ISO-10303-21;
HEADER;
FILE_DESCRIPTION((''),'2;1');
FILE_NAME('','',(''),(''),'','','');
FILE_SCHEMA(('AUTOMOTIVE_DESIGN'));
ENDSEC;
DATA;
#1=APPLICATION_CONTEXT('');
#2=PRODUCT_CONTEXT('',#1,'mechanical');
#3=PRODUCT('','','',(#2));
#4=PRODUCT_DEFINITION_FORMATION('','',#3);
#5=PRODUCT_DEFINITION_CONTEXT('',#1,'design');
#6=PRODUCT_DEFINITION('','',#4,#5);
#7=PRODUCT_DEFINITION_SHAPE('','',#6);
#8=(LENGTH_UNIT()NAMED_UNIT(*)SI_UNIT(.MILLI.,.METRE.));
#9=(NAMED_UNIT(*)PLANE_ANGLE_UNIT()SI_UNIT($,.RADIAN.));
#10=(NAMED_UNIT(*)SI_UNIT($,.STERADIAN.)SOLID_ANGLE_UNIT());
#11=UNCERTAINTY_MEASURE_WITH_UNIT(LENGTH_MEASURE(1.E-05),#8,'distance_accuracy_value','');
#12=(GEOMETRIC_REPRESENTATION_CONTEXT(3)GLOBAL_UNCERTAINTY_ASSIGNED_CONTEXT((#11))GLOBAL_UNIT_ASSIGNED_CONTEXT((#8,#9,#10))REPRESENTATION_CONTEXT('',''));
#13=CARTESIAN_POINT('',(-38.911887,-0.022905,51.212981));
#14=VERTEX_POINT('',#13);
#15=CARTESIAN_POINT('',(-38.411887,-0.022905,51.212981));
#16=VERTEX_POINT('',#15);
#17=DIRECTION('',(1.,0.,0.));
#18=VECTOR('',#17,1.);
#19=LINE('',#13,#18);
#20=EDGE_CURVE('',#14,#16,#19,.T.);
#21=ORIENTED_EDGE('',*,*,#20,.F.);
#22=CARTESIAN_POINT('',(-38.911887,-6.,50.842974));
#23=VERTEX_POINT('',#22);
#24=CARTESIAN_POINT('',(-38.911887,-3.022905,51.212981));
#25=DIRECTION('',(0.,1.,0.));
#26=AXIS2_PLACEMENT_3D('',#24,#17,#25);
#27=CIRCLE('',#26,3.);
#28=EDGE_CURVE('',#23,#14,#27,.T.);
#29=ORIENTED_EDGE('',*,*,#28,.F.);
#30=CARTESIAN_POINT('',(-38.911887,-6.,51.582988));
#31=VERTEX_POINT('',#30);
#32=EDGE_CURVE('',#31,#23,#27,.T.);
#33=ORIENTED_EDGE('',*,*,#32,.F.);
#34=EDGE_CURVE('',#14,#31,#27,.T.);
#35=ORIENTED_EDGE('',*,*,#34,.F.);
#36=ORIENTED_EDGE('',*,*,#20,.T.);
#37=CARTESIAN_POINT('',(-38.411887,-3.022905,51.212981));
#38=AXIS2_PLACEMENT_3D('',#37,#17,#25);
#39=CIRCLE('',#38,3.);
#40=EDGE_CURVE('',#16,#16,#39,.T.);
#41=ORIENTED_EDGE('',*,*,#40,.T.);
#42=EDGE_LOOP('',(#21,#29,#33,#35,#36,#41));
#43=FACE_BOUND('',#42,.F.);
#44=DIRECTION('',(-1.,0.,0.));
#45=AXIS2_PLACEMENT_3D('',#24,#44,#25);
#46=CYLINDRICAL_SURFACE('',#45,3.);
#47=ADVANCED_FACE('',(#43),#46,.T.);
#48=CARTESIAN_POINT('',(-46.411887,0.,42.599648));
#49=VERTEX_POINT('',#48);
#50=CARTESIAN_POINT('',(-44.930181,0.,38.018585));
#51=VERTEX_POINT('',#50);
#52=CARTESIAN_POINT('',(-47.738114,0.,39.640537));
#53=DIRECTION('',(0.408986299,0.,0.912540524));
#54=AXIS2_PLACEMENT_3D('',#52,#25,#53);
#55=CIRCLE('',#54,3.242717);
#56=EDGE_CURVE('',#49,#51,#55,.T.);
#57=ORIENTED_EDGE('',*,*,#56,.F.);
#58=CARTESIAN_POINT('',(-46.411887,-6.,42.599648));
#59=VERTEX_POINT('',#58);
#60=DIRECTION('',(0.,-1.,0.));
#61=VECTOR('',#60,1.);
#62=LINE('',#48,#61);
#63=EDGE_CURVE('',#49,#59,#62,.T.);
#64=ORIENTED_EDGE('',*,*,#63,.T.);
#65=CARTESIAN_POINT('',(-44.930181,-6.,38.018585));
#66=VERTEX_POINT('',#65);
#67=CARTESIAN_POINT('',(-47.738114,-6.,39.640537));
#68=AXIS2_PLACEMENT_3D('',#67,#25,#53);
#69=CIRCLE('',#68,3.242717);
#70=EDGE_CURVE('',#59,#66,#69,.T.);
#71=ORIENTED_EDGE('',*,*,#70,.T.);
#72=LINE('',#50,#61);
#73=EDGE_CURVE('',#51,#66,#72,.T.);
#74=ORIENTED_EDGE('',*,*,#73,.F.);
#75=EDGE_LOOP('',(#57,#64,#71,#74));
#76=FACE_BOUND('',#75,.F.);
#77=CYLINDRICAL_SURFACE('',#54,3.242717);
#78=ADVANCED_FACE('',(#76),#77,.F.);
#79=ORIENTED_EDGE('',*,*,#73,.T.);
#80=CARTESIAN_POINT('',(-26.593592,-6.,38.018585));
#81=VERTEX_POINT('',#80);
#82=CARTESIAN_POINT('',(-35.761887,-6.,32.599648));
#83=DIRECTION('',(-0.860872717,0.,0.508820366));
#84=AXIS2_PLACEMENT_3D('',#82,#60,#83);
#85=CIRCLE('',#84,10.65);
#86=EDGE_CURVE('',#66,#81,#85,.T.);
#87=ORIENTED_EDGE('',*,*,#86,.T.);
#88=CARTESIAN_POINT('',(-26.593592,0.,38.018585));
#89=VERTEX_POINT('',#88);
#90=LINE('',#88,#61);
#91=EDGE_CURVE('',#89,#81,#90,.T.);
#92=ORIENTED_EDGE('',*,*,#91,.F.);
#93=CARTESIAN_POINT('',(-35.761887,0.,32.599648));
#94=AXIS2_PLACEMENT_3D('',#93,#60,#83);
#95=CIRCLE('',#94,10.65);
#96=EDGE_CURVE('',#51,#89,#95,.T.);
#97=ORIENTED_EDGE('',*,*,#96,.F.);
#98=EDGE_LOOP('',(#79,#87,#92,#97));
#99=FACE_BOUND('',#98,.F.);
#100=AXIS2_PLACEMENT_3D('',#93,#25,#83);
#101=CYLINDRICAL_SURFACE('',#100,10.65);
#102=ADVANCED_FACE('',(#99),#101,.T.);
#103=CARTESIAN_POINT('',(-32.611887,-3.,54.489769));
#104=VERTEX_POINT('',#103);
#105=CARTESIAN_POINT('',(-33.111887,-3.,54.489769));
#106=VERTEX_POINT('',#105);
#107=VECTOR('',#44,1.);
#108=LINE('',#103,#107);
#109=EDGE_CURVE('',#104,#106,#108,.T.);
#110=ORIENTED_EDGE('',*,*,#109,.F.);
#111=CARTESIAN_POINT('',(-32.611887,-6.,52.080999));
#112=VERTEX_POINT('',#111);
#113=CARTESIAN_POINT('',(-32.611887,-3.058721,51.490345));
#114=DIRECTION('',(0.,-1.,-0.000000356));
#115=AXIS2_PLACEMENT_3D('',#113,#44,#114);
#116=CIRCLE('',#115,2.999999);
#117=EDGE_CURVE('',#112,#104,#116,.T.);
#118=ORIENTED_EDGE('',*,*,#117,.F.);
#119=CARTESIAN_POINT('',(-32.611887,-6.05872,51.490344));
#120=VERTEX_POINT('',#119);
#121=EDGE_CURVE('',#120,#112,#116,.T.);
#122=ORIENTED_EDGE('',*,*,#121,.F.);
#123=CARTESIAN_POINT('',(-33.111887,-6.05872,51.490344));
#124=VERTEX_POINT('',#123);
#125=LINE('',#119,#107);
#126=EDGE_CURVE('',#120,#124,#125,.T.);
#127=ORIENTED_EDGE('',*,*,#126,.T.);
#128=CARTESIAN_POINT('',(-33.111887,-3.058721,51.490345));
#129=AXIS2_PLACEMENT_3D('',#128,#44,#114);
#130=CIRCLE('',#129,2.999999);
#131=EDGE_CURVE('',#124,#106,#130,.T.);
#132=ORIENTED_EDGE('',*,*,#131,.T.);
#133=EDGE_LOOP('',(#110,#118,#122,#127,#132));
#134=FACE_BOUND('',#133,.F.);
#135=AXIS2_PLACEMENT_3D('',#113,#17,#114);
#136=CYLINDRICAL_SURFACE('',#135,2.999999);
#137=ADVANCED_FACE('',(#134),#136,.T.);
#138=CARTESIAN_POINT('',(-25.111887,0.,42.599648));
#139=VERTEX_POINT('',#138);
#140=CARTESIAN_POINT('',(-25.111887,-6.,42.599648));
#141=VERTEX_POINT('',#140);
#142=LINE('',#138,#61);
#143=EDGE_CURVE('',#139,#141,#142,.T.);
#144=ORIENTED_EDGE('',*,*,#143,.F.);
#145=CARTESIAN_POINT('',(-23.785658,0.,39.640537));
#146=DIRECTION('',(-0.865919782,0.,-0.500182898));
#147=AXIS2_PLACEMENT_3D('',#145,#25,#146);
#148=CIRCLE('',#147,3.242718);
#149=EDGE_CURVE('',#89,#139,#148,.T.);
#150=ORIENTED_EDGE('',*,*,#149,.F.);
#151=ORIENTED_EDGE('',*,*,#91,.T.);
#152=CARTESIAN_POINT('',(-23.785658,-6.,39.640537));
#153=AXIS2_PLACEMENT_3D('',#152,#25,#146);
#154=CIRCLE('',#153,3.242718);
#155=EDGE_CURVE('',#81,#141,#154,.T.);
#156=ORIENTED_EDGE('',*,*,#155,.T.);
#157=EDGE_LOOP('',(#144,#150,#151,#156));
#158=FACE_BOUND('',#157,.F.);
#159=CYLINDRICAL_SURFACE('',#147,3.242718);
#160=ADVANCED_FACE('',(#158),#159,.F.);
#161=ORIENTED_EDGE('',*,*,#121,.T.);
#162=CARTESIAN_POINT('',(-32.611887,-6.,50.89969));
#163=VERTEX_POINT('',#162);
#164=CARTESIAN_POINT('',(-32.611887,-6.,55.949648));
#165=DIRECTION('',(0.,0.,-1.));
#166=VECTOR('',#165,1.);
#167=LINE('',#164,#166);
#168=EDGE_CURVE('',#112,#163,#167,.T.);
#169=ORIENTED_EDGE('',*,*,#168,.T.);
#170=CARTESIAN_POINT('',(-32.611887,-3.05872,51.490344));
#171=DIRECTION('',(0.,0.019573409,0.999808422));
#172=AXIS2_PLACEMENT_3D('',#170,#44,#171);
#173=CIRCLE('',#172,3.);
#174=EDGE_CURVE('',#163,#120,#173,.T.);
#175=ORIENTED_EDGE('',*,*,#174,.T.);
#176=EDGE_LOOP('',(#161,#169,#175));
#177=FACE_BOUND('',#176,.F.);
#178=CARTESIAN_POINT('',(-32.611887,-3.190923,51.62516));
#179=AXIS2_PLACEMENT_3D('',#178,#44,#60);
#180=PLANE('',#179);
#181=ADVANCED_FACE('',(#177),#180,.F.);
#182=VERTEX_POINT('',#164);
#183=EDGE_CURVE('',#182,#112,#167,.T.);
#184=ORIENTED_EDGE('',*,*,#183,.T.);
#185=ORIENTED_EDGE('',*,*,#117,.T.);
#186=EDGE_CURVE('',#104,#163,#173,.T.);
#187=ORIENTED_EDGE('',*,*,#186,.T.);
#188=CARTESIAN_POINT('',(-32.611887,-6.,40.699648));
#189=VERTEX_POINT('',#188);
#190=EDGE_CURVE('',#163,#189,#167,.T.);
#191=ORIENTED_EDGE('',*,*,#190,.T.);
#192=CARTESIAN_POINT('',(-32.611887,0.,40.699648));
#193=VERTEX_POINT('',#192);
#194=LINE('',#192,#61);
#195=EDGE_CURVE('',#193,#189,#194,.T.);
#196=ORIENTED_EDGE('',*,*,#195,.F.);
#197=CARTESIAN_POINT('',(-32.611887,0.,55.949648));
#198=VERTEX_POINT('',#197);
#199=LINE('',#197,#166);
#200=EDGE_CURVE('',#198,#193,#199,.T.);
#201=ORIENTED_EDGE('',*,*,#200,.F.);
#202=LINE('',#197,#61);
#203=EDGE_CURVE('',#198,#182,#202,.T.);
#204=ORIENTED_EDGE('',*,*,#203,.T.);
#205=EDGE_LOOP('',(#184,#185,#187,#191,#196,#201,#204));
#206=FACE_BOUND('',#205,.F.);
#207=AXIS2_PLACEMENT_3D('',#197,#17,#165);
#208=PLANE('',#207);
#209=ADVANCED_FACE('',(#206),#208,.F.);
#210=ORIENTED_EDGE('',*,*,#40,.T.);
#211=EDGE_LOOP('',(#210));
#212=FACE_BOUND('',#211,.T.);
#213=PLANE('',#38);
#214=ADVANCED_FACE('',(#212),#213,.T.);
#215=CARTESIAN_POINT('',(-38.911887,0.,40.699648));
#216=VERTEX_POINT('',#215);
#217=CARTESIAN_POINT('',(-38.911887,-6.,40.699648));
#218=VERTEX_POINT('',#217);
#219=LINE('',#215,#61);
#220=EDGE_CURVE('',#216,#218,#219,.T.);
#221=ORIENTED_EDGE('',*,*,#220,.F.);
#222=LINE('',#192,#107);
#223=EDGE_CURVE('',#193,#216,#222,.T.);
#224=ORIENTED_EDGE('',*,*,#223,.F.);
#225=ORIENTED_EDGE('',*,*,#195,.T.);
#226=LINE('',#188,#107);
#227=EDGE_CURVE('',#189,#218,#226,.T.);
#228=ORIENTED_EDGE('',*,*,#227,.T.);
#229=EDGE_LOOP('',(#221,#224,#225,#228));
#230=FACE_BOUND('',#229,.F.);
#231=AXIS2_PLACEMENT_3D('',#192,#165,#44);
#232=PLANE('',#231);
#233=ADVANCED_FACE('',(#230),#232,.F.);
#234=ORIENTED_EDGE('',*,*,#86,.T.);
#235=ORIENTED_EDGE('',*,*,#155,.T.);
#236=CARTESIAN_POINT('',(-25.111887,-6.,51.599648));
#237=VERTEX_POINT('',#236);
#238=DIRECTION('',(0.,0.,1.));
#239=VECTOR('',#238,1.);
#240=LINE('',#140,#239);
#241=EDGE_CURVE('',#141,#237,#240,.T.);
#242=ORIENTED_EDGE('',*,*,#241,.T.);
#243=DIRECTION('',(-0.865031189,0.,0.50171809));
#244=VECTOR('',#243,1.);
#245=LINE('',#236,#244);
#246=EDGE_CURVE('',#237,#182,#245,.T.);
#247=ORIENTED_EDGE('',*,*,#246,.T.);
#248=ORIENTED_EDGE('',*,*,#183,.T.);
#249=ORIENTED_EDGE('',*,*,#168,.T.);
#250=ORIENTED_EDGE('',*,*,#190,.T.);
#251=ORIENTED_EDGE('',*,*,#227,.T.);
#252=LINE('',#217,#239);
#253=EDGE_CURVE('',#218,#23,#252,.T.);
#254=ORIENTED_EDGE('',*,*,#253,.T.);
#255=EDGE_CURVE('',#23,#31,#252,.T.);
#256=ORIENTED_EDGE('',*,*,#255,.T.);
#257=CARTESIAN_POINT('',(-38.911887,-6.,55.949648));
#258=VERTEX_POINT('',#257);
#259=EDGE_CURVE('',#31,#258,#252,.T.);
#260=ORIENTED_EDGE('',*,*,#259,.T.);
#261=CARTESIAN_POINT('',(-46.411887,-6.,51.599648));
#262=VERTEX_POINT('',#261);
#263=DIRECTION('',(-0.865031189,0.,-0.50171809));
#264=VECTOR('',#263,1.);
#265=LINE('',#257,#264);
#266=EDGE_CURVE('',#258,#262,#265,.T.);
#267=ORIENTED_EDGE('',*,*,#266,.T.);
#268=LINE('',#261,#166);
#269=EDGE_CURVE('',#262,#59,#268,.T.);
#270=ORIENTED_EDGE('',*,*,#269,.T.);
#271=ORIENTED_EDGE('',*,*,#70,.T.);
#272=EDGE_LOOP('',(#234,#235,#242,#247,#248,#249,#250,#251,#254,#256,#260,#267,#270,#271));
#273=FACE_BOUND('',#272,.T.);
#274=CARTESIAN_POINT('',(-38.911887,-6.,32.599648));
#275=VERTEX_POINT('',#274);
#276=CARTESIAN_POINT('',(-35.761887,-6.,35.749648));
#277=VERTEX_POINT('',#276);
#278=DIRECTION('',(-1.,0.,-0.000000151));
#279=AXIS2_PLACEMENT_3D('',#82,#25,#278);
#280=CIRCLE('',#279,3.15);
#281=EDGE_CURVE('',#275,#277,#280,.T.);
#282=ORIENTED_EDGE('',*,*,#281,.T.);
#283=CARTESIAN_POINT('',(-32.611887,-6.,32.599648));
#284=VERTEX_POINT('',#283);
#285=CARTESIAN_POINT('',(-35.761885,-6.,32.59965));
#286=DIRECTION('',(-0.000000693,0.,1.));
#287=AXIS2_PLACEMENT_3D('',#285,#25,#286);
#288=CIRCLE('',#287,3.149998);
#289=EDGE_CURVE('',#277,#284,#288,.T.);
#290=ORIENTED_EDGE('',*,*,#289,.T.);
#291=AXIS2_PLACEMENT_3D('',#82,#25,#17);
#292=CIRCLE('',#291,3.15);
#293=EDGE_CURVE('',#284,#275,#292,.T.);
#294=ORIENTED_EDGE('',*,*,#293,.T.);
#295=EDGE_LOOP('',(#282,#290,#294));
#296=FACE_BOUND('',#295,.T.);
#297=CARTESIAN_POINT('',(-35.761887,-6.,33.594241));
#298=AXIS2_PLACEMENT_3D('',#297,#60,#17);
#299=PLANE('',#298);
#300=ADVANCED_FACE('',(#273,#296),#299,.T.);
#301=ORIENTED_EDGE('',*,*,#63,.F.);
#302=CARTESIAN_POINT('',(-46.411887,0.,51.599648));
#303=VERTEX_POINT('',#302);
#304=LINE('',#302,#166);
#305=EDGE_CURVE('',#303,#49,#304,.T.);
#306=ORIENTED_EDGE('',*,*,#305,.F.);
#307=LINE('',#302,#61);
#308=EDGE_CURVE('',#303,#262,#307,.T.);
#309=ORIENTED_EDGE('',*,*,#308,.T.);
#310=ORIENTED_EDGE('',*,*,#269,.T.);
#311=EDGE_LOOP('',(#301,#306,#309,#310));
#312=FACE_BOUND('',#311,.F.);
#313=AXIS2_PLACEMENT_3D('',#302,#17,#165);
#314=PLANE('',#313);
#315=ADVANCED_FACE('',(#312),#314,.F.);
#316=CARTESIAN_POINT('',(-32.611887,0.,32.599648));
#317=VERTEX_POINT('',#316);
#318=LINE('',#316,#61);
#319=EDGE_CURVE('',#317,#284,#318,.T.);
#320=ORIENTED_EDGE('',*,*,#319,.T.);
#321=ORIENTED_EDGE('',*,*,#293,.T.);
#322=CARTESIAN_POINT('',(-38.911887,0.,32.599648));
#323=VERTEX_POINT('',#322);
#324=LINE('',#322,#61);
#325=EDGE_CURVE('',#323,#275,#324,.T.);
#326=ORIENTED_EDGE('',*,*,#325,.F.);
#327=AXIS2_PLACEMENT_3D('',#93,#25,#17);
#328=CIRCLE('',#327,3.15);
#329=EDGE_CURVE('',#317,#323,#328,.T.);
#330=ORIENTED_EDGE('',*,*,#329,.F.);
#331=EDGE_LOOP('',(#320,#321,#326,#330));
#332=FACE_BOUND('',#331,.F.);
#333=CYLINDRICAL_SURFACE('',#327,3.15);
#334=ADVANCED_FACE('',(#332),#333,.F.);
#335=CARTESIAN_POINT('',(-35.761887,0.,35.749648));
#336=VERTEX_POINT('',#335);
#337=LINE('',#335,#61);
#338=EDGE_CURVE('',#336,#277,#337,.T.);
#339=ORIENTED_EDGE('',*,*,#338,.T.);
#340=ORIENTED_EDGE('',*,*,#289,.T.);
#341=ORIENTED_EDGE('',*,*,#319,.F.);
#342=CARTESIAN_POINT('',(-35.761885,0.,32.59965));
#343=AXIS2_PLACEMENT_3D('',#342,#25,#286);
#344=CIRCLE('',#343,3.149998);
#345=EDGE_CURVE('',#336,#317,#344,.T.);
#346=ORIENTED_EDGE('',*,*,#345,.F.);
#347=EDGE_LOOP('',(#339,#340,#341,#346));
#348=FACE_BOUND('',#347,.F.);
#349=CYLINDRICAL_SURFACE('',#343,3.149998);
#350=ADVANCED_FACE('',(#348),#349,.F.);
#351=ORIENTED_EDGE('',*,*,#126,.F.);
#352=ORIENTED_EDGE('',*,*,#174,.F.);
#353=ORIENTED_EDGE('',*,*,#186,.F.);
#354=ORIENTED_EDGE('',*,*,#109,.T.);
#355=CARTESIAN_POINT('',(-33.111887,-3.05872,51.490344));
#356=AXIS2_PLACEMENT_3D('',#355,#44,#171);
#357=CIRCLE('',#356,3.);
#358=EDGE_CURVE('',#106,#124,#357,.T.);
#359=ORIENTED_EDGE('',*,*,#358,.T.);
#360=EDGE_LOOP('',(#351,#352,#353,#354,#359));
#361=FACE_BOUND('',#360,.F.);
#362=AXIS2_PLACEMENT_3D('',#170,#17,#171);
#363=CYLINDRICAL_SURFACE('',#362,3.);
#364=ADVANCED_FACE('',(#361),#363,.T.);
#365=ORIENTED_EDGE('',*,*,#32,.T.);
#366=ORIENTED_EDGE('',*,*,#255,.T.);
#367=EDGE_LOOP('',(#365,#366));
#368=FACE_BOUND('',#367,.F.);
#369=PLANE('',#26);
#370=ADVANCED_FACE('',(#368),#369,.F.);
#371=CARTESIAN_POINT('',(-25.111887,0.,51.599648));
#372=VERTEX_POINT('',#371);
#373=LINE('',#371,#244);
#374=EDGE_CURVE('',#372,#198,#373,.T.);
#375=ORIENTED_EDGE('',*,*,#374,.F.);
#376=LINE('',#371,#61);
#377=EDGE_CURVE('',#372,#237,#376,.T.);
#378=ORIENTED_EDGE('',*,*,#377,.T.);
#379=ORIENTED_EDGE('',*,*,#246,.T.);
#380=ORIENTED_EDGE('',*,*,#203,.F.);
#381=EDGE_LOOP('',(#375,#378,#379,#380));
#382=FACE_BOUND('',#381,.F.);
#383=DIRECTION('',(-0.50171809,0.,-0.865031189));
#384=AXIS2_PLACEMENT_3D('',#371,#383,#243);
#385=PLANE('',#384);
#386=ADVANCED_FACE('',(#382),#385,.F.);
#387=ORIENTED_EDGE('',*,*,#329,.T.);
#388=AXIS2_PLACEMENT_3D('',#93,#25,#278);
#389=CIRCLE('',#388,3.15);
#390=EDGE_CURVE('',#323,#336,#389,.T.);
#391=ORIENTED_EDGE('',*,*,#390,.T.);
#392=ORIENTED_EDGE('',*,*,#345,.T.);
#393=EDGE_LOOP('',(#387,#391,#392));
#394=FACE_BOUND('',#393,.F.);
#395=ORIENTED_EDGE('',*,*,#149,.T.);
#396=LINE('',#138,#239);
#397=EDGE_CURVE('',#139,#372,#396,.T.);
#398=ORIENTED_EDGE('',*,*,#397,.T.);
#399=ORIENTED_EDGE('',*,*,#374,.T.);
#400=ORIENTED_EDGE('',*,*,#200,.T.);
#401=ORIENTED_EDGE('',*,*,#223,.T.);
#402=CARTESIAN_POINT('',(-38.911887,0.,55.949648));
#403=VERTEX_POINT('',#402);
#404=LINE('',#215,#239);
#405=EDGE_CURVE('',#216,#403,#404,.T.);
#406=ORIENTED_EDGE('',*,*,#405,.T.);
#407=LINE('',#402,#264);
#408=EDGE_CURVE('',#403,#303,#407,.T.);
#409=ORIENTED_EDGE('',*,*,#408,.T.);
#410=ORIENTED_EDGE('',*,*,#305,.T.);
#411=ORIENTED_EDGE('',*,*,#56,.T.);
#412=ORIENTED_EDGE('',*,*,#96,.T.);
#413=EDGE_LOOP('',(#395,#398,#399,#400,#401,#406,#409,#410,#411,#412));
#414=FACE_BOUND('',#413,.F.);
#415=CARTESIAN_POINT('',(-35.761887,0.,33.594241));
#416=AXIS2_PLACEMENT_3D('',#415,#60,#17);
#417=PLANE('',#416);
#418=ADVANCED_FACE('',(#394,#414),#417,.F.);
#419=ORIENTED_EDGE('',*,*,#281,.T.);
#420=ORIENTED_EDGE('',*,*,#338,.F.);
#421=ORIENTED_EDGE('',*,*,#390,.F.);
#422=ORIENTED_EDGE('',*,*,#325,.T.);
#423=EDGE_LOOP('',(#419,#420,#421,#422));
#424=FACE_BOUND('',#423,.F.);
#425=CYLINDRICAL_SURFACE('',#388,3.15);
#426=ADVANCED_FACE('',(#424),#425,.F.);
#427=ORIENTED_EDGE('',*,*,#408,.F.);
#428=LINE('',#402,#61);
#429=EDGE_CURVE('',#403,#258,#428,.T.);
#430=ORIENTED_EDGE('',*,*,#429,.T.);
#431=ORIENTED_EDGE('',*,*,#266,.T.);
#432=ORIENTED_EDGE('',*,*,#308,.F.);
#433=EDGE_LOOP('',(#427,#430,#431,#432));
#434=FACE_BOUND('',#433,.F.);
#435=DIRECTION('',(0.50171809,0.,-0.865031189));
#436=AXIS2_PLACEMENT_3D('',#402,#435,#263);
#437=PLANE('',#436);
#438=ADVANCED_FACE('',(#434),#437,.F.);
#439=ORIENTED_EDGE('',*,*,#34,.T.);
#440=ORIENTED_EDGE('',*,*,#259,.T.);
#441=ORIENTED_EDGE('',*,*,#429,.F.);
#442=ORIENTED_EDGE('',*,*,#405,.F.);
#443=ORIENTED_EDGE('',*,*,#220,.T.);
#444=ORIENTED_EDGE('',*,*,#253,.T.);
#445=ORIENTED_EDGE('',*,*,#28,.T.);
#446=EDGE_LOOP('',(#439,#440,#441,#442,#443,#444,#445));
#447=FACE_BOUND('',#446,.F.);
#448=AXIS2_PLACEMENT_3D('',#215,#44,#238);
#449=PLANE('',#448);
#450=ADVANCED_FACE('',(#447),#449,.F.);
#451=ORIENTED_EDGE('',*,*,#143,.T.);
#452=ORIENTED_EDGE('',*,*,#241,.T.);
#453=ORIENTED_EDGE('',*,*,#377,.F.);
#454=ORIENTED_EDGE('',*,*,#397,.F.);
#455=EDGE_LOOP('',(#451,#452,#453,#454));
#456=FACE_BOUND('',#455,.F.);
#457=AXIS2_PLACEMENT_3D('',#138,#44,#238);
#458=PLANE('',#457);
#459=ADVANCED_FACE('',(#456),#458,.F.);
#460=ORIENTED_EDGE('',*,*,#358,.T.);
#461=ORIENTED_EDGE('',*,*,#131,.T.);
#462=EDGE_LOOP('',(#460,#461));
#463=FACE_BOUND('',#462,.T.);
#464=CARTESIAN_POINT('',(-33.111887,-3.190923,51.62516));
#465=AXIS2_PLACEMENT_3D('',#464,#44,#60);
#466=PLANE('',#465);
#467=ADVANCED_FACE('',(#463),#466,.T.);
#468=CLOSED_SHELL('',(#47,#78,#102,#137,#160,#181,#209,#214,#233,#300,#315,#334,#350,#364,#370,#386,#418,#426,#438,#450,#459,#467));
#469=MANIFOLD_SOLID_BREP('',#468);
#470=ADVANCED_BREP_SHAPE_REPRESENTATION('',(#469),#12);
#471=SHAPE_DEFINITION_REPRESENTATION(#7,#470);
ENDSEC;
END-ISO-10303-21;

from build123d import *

# Parameters (mm, degrees)
F1_DEPTH = 6
F3_DEPTH = 0.5
F4_R     = 3
F5_DEPTH = 0.5
F6_DEPTH = 6


with BuildPart() as f1:
    # F0 (on Front) → F1 (new body)
    with BuildSketch(Plane.XZ):
        with BuildLine():
            Line((-38.911887, 40.699648), (-38.911887, 42.773143))
            ThreePointArc((-38.911887, 42.773143), (-42.363898, 40.956439), (-44.930181, 38.018585))
            ThreePointArc((-44.930181, 38.018585), (-35.761887, 21.949648), (-26.593592, 38.018585))
            ThreePointArc((-26.593592, 38.018585), (-29.159876, 40.956439), (-32.611887, 42.773143))
            Line((-32.611887, 42.773143), (-32.611887, 40.699648))
            Line((-32.611887, 40.699648), (-35.761887, 40.699648))
            Line((-35.761887, 40.699648), (-38.911887, 40.699648))
        make_face()
        with BuildLine():
            ThreePointArc((-35.761887, 35.749648), (-33.5345, 34.827035), (-32.611887, 32.599648))
            ThreePointArc((-32.611887, 32.599648), (-35.761887, 29.449648), (-38.911887, 32.599648))
            ThreePointArc((-38.911887, 32.599648), (-37.989273, 34.827035), (-35.761887, 35.749648))
        make_face(mode=Mode.SUBTRACT)
        with BuildLine():
            ThreePointArc((-44.930181, 38.018585), (-42.363898, 40.956439), (-38.911887, 42.773143))
            Line((-38.911887, 42.773143), (-38.911887, 55.949648))
            Line((-38.911887, 55.949648), (-46.411887, 51.599648))
            Line((-46.411887, 51.599648), (-46.411887, 42.599648))
            ThreePointArc((-46.411887, 42.599648), (-44.652769, 40.638466), (-44.930181, 38.018585))
        make_face()
        with BuildLine():
            ThreePointArc((-32.611887, 42.773143), (-29.159876, 40.956439), (-26.593592, 38.018585))
            ThreePointArc((-26.593592, 38.018585), (-26.871004, 40.638466), (-25.111887, 42.599648))
            Line((-25.111887, 42.599648), (-25.111887, 51.599648))
            Line((-25.111887, 51.599648), (-32.611887, 55.949648))
            Line((-32.611887, 55.949648), (-32.611887, 42.773143))
        make_face()
    extrude(amount=F1_DEPTH)

    # F2 (on face) → F3 (join)
    with BuildSketch(Plane(origin=(-32.611887, 0, 0), x_dir=(0, -1, 0), z_dir=(-1, 0, 0))):
        with BuildLine():
            ThreePointArc((3, 54.489769), (0.958263, 49.348364), (6.05872, 51.490344))
            ThreePointArc((6.05872, 51.490344), (5.159177, 53.632325), (3, 54.489769))
        make_face()
    extrude(amount=F3_DEPTH)

    # F4 (on face) → F5 (join)
    with BuildSketch(Plane.YZ.offset(-38.911887)):
        with Locations((-3.022905, 51.212981)):
            Circle(F4_R)
    extrude(amount=F5_DEPTH)

    # F0 (on Front) → F6 (join)
    with BuildSketch(Plane.XZ):
        with BuildLine():
            Line((-38.911887, 40.699648), (-38.911887, 42.773143))
            ThreePointArc((-38.911887, 42.773143), (-42.363898, 40.956439), (-44.930181, 38.018585))
            ThreePointArc((-44.930181, 38.018585), (-35.761887, 21.949648), (-26.593592, 38.018585))
            ThreePointArc((-26.593592, 38.018585), (-29.159876, 40.956439), (-32.611887, 42.773143))
            Line((-32.611887, 42.773143), (-32.611887, 40.699648))
            Line((-32.611887, 40.699648), (-35.761887, 40.699648))
            Line((-35.761887, 40.699648), (-38.911887, 40.699648))
        make_face()
        with BuildLine():
            ThreePointArc((-35.761887, 35.749648), (-33.5345, 34.827035), (-32.611887, 32.599648))
            ThreePointArc((-32.611887, 32.599648), (-35.761887, 29.449648), (-38.911887, 32.599648))
            ThreePointArc((-38.911887, 32.599648), (-37.989273, 34.827035), (-35.761887, 35.749648))
        make_face(mode=Mode.SUBTRACT)
        with BuildLine():
            ThreePointArc((-44.930181, 38.018585), (-42.363898, 40.956439), (-38.911887, 42.773143))
            Line((-38.911887, 42.773143), (-38.911887, 55.949648))
            Line((-38.911887, 55.949648), (-46.411887, 51.599648))
            Line((-46.411887, 51.599648), (-46.411887, 42.599648))
            ThreePointArc((-46.411887, 42.599648), (-44.652769, 40.638466), (-44.930181, 38.018585))
        make_face()
        with BuildLine():
            ThreePointArc((-32.611887, 42.773143), (-29.159876, 40.956439), (-26.593592, 38.018585))
            ThreePointArc((-26.593592, 38.018585), (-26.871004, 40.638466), (-25.111887, 42.599648))
            Line((-25.111887, 42.599648), (-25.111887, 51.599648))
            Line((-25.111887, 51.599648), (-32.611887, 55.949648))
            Line((-32.611887, 55.949648), (-32.611887, 42.773143))
        make_face()
    extrude(amount=F6_DEPTH)


solid = f1.part
